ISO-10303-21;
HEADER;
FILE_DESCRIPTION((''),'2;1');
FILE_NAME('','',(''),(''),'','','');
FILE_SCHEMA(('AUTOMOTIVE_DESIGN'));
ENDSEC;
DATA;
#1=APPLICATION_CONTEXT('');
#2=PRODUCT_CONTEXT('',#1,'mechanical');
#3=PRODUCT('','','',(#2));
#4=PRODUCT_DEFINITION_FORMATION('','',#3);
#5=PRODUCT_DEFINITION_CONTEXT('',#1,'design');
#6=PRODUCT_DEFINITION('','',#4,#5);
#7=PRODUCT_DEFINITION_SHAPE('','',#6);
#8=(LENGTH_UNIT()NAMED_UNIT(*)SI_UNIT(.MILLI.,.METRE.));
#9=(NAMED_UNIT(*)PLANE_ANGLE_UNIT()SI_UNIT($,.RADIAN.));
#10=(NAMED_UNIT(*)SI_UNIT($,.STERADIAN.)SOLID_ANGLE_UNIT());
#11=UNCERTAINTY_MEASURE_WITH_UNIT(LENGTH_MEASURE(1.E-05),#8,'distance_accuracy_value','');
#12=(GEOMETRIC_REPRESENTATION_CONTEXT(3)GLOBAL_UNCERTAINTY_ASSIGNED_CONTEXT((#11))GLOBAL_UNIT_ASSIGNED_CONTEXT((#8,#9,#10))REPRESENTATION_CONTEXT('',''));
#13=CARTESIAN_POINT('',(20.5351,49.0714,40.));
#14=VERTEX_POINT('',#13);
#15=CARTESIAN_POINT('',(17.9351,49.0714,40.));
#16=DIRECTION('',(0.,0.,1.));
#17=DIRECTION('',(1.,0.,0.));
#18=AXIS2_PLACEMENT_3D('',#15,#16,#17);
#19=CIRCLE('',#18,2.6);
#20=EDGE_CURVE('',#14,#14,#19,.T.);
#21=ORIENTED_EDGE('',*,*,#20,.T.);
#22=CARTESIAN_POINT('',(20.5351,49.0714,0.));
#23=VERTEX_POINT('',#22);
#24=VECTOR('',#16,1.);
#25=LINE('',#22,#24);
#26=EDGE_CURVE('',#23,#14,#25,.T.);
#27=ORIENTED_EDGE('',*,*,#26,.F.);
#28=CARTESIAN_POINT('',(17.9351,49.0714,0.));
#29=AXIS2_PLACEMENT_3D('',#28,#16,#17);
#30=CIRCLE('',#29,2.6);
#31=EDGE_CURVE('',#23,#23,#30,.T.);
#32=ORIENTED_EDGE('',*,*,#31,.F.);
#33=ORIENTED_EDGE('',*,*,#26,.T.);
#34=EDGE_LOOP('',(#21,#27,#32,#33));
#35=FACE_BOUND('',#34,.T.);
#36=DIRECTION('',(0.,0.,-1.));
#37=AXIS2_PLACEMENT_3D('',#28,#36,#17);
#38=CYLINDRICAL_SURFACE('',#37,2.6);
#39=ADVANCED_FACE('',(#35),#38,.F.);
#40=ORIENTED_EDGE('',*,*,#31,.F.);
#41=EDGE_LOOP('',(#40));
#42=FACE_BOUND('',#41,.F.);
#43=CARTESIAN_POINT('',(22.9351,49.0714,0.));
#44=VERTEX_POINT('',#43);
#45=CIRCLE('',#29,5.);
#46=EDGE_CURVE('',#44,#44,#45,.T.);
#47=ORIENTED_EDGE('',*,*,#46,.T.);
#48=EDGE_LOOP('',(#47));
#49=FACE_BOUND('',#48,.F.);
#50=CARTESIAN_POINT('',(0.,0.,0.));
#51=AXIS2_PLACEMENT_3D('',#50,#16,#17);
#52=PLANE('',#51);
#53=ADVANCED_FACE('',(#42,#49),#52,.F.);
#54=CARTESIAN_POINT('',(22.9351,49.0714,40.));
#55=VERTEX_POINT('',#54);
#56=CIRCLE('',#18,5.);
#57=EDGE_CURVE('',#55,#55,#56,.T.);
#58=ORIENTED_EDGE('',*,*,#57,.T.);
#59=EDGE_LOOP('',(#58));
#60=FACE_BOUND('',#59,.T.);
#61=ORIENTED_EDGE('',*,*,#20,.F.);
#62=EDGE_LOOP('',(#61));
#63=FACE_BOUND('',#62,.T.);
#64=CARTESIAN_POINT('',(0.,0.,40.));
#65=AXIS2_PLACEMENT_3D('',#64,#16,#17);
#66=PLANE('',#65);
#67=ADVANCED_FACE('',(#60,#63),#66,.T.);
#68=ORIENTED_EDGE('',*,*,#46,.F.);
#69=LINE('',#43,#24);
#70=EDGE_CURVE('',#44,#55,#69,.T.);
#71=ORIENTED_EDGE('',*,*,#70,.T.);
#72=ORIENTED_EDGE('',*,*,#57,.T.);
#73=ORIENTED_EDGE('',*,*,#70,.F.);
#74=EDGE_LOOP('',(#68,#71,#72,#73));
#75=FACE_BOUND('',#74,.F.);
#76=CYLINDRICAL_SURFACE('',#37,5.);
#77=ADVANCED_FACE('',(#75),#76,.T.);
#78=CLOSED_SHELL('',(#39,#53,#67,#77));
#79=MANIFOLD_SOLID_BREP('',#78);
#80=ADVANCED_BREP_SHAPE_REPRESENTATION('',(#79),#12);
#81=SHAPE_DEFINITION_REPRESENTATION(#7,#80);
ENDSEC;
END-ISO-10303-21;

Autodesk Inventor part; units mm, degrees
ref_plane "YZ Plane" through (0, 0, 0) normal (1, 0, 0) x (0, 1, 0)
ref_plane "XZ Plane" through (0, 0, 0) normal (0, 1, 0) x (-1, 0, 0)
sketch "Sketch1" plane through (0, 0, 0) normal (0, 0, 1) x (1, 0, 0)
  circle A0 centre (17.9351, 49.0714) radius 2.6 construction
  circle A1 centre (17.9351, 49.0714) radius 5
  circle A2 centre (17.9351, 49.0714) radius 2.6
  point P0 (0, 0)
  dimension "d0" = 10
ref_plane "Work Plane1" through (-33.1349, -1.9986, 30) normal (0, 0, -1) x (0, 1, 0)
extrude "Extrusion2" add sketch "Sketch1" along normal blind 40
properties part number "XMotorStandoff"
